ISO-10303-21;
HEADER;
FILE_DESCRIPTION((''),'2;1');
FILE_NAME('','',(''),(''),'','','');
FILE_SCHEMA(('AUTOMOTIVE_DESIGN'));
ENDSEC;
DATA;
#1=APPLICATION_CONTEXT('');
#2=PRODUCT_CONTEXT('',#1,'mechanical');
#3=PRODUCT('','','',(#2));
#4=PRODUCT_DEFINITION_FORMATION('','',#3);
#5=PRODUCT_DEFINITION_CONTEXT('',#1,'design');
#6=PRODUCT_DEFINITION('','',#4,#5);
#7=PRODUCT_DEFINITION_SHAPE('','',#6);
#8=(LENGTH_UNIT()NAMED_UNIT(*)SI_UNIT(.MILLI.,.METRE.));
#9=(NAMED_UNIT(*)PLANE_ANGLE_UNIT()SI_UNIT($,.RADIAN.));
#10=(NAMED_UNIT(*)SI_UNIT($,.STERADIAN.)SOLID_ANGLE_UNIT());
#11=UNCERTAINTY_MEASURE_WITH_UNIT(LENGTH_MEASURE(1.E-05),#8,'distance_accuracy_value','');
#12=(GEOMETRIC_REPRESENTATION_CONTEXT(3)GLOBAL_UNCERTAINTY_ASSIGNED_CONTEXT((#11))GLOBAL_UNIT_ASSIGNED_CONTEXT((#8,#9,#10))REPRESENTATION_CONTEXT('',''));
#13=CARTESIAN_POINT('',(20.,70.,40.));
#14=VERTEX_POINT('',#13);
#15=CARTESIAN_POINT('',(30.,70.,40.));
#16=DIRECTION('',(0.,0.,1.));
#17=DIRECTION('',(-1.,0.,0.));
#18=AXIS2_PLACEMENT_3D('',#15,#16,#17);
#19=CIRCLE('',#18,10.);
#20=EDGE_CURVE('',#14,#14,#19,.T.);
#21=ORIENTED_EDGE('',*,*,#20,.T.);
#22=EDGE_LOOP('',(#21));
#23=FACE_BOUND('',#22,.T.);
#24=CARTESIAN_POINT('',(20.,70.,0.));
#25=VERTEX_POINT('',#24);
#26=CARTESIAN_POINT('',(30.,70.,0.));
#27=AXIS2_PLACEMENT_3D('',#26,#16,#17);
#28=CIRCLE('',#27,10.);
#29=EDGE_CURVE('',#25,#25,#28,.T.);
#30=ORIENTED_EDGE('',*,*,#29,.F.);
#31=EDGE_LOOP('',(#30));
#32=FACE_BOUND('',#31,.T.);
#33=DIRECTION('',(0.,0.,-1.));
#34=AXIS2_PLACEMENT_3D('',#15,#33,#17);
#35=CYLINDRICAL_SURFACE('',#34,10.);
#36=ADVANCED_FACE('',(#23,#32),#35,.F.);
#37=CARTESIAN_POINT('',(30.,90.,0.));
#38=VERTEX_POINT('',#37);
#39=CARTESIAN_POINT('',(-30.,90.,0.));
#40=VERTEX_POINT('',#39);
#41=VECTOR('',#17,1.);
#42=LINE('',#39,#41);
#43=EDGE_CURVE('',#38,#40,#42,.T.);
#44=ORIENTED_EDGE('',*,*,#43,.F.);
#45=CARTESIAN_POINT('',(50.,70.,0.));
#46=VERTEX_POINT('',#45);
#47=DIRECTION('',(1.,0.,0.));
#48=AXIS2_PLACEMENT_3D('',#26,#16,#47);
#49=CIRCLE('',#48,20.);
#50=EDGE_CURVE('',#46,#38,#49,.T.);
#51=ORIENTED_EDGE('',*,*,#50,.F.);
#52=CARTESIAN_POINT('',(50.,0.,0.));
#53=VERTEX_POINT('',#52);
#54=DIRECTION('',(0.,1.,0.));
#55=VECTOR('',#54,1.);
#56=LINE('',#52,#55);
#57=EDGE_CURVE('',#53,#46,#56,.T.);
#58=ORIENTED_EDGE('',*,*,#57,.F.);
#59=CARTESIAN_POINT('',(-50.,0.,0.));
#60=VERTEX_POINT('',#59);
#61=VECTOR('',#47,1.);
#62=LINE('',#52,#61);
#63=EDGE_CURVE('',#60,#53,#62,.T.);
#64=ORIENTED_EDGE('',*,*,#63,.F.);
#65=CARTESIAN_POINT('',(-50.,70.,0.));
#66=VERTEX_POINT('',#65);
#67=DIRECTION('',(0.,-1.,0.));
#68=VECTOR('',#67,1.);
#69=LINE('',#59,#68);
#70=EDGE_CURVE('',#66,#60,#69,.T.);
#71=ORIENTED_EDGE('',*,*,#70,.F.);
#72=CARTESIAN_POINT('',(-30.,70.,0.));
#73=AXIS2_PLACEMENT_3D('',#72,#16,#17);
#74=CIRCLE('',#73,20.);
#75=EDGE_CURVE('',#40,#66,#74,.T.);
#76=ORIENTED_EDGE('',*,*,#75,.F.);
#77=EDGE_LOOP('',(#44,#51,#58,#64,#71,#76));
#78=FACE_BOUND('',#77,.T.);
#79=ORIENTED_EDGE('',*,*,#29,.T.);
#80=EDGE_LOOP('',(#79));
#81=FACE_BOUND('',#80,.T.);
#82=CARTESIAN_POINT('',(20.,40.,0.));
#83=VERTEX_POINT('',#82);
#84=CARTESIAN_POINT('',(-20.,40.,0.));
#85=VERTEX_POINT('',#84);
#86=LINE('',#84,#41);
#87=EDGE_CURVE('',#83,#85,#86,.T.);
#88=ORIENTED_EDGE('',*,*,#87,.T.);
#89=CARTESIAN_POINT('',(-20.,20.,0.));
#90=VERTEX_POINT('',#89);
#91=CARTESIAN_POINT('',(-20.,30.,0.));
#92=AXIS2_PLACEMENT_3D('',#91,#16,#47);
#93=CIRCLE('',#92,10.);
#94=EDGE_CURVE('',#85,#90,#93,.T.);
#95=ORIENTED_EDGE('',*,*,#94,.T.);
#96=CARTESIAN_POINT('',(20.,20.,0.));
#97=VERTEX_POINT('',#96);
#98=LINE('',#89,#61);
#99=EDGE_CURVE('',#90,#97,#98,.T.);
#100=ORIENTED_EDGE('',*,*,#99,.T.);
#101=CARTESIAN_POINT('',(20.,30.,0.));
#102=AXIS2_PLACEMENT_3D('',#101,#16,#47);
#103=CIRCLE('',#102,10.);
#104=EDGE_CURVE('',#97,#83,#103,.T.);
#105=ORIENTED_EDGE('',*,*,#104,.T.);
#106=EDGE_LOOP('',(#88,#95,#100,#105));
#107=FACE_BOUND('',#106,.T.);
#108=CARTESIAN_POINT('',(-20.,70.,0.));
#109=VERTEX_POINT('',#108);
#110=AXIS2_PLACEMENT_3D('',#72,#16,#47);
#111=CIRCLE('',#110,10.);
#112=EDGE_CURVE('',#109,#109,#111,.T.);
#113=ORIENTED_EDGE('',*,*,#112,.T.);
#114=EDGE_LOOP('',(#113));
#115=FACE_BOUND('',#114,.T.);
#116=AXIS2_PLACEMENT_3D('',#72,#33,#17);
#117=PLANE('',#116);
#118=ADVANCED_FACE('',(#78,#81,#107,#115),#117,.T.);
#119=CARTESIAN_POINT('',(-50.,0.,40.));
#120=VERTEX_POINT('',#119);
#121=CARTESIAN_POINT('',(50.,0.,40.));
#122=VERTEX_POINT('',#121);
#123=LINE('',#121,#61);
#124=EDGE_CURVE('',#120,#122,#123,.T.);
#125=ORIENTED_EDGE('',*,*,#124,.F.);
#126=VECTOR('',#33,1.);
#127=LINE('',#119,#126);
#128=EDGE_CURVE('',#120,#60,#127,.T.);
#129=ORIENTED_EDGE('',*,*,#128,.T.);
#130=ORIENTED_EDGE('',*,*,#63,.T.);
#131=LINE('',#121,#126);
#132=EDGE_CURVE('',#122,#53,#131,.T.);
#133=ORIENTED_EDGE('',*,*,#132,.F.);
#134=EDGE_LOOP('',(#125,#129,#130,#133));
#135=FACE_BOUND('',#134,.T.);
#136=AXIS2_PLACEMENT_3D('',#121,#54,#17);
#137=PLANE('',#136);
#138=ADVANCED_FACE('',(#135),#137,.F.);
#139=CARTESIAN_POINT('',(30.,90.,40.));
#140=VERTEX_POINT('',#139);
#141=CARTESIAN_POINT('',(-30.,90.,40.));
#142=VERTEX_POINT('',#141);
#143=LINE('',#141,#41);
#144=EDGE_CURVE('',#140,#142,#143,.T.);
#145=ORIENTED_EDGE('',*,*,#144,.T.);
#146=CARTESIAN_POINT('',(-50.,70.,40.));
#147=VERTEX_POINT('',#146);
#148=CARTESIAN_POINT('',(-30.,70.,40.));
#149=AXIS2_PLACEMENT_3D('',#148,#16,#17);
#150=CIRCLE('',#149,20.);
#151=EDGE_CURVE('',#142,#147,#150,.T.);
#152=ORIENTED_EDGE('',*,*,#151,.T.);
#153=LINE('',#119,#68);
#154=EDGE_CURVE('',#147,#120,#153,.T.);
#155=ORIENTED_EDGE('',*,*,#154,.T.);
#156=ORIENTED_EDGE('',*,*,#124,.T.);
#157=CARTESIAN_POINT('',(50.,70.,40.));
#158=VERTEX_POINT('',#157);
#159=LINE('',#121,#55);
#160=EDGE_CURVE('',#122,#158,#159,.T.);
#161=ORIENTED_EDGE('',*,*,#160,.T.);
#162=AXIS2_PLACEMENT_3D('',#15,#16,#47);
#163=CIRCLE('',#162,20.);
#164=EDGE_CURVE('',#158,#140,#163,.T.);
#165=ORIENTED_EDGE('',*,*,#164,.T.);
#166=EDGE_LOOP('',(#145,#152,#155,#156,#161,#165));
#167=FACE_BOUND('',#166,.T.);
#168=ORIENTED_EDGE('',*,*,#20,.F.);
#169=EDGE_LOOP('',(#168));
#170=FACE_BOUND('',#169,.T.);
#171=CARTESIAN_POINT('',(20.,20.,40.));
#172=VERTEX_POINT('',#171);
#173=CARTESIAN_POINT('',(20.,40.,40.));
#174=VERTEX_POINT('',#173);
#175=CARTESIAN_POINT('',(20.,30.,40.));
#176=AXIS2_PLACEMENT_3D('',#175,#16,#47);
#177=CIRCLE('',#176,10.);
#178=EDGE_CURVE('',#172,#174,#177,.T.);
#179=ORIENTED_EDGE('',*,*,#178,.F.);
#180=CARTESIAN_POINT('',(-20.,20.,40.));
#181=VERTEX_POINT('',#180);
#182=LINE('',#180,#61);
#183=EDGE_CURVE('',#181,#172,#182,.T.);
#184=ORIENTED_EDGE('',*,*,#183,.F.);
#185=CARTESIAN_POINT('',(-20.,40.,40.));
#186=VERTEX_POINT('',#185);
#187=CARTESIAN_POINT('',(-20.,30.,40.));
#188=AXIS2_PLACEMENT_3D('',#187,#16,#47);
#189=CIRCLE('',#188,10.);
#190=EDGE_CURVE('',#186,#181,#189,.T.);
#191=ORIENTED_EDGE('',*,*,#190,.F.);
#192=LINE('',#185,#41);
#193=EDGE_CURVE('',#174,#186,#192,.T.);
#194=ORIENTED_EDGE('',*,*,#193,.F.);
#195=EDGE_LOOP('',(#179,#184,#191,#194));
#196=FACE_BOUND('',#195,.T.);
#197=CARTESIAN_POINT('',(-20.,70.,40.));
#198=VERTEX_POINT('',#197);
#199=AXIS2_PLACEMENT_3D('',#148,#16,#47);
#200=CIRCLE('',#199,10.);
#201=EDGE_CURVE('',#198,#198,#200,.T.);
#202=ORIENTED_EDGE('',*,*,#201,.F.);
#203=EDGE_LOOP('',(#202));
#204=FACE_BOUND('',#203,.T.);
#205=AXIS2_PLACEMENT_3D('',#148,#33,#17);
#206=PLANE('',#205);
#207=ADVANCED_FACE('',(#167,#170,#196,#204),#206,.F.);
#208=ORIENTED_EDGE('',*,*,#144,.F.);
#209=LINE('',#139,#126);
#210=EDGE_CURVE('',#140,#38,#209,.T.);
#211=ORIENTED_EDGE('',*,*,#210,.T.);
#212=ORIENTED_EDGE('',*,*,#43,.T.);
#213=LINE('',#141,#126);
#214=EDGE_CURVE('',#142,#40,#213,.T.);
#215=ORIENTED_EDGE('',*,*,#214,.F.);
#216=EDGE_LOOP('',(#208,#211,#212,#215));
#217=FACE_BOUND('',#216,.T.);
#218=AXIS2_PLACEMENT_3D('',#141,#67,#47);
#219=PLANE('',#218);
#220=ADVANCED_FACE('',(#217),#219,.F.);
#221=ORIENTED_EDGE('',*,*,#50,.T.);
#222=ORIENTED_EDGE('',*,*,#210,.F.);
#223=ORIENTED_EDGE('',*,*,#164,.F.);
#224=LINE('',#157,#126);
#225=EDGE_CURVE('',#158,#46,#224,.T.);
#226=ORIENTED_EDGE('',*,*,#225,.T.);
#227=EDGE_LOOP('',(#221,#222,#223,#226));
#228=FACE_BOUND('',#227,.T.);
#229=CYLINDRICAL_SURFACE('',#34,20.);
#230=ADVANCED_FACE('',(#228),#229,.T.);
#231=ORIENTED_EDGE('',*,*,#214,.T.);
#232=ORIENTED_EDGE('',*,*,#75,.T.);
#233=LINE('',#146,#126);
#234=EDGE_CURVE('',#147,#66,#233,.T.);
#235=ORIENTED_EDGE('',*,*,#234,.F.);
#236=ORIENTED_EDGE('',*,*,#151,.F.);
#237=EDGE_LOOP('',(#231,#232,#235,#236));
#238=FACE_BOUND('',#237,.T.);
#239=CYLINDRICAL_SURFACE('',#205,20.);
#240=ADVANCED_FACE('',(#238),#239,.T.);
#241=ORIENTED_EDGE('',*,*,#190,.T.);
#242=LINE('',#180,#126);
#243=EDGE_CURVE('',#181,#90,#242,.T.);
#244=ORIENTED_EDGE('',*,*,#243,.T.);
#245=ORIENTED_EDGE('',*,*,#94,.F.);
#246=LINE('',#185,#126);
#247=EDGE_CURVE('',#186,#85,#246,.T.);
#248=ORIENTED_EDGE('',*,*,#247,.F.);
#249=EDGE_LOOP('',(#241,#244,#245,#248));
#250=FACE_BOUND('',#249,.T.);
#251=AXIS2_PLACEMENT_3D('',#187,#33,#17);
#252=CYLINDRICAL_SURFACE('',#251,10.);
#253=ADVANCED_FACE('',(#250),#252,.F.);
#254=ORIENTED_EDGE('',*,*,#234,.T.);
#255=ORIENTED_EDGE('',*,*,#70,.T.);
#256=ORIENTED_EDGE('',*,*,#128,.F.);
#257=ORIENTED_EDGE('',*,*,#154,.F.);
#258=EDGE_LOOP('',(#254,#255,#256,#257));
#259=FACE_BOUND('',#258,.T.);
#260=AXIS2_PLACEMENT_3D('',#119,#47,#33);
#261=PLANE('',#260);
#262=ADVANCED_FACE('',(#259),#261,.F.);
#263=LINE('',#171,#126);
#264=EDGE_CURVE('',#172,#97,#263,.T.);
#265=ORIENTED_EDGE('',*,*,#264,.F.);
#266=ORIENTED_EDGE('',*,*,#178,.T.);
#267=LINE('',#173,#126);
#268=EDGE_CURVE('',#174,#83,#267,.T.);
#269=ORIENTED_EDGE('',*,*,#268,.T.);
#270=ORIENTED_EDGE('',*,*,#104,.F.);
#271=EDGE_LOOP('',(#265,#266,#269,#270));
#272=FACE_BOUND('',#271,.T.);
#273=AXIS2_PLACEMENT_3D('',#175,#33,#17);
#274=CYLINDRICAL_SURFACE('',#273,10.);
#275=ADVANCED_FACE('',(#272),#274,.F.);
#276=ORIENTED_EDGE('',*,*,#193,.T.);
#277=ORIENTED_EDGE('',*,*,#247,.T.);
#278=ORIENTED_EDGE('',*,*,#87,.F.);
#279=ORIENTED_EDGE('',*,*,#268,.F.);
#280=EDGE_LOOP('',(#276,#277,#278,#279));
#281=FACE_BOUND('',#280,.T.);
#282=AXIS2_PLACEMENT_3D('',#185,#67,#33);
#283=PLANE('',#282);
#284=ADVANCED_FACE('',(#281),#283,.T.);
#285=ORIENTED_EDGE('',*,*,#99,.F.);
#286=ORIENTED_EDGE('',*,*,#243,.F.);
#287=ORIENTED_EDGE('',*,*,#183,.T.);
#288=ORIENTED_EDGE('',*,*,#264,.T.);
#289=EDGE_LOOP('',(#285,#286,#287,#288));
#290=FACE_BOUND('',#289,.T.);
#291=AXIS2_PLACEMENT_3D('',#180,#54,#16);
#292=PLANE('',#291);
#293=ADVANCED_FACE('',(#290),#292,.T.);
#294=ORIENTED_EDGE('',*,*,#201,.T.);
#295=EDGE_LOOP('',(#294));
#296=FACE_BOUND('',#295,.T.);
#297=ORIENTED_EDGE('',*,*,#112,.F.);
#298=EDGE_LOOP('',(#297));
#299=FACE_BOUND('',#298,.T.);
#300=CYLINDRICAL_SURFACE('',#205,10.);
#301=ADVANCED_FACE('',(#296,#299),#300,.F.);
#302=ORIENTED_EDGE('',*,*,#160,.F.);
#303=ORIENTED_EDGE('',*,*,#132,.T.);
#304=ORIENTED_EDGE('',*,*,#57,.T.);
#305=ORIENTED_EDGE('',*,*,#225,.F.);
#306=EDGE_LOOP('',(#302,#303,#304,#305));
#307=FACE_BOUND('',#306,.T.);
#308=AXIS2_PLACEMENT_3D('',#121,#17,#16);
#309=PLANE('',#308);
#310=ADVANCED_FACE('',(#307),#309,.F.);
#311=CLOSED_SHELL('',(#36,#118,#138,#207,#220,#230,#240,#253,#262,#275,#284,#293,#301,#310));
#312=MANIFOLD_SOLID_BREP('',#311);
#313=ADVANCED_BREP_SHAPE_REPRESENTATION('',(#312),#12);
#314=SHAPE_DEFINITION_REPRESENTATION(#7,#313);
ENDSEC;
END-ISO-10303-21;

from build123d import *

# Parameters (mm, degrees)
SKETCH1_R           = 10
BOSS_EXTRUDE1_DEPTH = 40


with BuildPart() as part:
    # Sketch1 → Boss-Extrude1 (new body)
    with BuildSketch(Plane.XY):
        with BuildLine():
            Line((50, 0), (-50, 0))
            Line((-50, 0), (-50, 70))
            ThreePointArc((-50, 70), (-44.142135624, 84.142135624), (-30, 90))
            Line((-30, 90), (30, 90))
            ThreePointArc((30, 90), (44.142135624, 84.142135624), (50, 70))
            Line((50, 70), (50, 0))
        make_face()
        with Locations((-30, 70)):
            Circle(SKETCH1_R, mode=Mode.SUBTRACT)
        with Locations(Location((30, 70, 0), (0, 0, 180))):
            Circle(SKETCH1_R, mode=Mode.SUBTRACT)
        with BuildLine():
            Line((-20, 40), (20, 40))
            ThreePointArc((20, 40), (30, 30), (20, 20))
            Line((20, 20), (-20, 20))
            ThreePointArc((-20, 20), (-30, 30), (-20, 40))
        make_face(mode=Mode.SUBTRACT)
    extrude(amount=BOSS_EXTRUDE1_DEPTH)


solid = part.part
